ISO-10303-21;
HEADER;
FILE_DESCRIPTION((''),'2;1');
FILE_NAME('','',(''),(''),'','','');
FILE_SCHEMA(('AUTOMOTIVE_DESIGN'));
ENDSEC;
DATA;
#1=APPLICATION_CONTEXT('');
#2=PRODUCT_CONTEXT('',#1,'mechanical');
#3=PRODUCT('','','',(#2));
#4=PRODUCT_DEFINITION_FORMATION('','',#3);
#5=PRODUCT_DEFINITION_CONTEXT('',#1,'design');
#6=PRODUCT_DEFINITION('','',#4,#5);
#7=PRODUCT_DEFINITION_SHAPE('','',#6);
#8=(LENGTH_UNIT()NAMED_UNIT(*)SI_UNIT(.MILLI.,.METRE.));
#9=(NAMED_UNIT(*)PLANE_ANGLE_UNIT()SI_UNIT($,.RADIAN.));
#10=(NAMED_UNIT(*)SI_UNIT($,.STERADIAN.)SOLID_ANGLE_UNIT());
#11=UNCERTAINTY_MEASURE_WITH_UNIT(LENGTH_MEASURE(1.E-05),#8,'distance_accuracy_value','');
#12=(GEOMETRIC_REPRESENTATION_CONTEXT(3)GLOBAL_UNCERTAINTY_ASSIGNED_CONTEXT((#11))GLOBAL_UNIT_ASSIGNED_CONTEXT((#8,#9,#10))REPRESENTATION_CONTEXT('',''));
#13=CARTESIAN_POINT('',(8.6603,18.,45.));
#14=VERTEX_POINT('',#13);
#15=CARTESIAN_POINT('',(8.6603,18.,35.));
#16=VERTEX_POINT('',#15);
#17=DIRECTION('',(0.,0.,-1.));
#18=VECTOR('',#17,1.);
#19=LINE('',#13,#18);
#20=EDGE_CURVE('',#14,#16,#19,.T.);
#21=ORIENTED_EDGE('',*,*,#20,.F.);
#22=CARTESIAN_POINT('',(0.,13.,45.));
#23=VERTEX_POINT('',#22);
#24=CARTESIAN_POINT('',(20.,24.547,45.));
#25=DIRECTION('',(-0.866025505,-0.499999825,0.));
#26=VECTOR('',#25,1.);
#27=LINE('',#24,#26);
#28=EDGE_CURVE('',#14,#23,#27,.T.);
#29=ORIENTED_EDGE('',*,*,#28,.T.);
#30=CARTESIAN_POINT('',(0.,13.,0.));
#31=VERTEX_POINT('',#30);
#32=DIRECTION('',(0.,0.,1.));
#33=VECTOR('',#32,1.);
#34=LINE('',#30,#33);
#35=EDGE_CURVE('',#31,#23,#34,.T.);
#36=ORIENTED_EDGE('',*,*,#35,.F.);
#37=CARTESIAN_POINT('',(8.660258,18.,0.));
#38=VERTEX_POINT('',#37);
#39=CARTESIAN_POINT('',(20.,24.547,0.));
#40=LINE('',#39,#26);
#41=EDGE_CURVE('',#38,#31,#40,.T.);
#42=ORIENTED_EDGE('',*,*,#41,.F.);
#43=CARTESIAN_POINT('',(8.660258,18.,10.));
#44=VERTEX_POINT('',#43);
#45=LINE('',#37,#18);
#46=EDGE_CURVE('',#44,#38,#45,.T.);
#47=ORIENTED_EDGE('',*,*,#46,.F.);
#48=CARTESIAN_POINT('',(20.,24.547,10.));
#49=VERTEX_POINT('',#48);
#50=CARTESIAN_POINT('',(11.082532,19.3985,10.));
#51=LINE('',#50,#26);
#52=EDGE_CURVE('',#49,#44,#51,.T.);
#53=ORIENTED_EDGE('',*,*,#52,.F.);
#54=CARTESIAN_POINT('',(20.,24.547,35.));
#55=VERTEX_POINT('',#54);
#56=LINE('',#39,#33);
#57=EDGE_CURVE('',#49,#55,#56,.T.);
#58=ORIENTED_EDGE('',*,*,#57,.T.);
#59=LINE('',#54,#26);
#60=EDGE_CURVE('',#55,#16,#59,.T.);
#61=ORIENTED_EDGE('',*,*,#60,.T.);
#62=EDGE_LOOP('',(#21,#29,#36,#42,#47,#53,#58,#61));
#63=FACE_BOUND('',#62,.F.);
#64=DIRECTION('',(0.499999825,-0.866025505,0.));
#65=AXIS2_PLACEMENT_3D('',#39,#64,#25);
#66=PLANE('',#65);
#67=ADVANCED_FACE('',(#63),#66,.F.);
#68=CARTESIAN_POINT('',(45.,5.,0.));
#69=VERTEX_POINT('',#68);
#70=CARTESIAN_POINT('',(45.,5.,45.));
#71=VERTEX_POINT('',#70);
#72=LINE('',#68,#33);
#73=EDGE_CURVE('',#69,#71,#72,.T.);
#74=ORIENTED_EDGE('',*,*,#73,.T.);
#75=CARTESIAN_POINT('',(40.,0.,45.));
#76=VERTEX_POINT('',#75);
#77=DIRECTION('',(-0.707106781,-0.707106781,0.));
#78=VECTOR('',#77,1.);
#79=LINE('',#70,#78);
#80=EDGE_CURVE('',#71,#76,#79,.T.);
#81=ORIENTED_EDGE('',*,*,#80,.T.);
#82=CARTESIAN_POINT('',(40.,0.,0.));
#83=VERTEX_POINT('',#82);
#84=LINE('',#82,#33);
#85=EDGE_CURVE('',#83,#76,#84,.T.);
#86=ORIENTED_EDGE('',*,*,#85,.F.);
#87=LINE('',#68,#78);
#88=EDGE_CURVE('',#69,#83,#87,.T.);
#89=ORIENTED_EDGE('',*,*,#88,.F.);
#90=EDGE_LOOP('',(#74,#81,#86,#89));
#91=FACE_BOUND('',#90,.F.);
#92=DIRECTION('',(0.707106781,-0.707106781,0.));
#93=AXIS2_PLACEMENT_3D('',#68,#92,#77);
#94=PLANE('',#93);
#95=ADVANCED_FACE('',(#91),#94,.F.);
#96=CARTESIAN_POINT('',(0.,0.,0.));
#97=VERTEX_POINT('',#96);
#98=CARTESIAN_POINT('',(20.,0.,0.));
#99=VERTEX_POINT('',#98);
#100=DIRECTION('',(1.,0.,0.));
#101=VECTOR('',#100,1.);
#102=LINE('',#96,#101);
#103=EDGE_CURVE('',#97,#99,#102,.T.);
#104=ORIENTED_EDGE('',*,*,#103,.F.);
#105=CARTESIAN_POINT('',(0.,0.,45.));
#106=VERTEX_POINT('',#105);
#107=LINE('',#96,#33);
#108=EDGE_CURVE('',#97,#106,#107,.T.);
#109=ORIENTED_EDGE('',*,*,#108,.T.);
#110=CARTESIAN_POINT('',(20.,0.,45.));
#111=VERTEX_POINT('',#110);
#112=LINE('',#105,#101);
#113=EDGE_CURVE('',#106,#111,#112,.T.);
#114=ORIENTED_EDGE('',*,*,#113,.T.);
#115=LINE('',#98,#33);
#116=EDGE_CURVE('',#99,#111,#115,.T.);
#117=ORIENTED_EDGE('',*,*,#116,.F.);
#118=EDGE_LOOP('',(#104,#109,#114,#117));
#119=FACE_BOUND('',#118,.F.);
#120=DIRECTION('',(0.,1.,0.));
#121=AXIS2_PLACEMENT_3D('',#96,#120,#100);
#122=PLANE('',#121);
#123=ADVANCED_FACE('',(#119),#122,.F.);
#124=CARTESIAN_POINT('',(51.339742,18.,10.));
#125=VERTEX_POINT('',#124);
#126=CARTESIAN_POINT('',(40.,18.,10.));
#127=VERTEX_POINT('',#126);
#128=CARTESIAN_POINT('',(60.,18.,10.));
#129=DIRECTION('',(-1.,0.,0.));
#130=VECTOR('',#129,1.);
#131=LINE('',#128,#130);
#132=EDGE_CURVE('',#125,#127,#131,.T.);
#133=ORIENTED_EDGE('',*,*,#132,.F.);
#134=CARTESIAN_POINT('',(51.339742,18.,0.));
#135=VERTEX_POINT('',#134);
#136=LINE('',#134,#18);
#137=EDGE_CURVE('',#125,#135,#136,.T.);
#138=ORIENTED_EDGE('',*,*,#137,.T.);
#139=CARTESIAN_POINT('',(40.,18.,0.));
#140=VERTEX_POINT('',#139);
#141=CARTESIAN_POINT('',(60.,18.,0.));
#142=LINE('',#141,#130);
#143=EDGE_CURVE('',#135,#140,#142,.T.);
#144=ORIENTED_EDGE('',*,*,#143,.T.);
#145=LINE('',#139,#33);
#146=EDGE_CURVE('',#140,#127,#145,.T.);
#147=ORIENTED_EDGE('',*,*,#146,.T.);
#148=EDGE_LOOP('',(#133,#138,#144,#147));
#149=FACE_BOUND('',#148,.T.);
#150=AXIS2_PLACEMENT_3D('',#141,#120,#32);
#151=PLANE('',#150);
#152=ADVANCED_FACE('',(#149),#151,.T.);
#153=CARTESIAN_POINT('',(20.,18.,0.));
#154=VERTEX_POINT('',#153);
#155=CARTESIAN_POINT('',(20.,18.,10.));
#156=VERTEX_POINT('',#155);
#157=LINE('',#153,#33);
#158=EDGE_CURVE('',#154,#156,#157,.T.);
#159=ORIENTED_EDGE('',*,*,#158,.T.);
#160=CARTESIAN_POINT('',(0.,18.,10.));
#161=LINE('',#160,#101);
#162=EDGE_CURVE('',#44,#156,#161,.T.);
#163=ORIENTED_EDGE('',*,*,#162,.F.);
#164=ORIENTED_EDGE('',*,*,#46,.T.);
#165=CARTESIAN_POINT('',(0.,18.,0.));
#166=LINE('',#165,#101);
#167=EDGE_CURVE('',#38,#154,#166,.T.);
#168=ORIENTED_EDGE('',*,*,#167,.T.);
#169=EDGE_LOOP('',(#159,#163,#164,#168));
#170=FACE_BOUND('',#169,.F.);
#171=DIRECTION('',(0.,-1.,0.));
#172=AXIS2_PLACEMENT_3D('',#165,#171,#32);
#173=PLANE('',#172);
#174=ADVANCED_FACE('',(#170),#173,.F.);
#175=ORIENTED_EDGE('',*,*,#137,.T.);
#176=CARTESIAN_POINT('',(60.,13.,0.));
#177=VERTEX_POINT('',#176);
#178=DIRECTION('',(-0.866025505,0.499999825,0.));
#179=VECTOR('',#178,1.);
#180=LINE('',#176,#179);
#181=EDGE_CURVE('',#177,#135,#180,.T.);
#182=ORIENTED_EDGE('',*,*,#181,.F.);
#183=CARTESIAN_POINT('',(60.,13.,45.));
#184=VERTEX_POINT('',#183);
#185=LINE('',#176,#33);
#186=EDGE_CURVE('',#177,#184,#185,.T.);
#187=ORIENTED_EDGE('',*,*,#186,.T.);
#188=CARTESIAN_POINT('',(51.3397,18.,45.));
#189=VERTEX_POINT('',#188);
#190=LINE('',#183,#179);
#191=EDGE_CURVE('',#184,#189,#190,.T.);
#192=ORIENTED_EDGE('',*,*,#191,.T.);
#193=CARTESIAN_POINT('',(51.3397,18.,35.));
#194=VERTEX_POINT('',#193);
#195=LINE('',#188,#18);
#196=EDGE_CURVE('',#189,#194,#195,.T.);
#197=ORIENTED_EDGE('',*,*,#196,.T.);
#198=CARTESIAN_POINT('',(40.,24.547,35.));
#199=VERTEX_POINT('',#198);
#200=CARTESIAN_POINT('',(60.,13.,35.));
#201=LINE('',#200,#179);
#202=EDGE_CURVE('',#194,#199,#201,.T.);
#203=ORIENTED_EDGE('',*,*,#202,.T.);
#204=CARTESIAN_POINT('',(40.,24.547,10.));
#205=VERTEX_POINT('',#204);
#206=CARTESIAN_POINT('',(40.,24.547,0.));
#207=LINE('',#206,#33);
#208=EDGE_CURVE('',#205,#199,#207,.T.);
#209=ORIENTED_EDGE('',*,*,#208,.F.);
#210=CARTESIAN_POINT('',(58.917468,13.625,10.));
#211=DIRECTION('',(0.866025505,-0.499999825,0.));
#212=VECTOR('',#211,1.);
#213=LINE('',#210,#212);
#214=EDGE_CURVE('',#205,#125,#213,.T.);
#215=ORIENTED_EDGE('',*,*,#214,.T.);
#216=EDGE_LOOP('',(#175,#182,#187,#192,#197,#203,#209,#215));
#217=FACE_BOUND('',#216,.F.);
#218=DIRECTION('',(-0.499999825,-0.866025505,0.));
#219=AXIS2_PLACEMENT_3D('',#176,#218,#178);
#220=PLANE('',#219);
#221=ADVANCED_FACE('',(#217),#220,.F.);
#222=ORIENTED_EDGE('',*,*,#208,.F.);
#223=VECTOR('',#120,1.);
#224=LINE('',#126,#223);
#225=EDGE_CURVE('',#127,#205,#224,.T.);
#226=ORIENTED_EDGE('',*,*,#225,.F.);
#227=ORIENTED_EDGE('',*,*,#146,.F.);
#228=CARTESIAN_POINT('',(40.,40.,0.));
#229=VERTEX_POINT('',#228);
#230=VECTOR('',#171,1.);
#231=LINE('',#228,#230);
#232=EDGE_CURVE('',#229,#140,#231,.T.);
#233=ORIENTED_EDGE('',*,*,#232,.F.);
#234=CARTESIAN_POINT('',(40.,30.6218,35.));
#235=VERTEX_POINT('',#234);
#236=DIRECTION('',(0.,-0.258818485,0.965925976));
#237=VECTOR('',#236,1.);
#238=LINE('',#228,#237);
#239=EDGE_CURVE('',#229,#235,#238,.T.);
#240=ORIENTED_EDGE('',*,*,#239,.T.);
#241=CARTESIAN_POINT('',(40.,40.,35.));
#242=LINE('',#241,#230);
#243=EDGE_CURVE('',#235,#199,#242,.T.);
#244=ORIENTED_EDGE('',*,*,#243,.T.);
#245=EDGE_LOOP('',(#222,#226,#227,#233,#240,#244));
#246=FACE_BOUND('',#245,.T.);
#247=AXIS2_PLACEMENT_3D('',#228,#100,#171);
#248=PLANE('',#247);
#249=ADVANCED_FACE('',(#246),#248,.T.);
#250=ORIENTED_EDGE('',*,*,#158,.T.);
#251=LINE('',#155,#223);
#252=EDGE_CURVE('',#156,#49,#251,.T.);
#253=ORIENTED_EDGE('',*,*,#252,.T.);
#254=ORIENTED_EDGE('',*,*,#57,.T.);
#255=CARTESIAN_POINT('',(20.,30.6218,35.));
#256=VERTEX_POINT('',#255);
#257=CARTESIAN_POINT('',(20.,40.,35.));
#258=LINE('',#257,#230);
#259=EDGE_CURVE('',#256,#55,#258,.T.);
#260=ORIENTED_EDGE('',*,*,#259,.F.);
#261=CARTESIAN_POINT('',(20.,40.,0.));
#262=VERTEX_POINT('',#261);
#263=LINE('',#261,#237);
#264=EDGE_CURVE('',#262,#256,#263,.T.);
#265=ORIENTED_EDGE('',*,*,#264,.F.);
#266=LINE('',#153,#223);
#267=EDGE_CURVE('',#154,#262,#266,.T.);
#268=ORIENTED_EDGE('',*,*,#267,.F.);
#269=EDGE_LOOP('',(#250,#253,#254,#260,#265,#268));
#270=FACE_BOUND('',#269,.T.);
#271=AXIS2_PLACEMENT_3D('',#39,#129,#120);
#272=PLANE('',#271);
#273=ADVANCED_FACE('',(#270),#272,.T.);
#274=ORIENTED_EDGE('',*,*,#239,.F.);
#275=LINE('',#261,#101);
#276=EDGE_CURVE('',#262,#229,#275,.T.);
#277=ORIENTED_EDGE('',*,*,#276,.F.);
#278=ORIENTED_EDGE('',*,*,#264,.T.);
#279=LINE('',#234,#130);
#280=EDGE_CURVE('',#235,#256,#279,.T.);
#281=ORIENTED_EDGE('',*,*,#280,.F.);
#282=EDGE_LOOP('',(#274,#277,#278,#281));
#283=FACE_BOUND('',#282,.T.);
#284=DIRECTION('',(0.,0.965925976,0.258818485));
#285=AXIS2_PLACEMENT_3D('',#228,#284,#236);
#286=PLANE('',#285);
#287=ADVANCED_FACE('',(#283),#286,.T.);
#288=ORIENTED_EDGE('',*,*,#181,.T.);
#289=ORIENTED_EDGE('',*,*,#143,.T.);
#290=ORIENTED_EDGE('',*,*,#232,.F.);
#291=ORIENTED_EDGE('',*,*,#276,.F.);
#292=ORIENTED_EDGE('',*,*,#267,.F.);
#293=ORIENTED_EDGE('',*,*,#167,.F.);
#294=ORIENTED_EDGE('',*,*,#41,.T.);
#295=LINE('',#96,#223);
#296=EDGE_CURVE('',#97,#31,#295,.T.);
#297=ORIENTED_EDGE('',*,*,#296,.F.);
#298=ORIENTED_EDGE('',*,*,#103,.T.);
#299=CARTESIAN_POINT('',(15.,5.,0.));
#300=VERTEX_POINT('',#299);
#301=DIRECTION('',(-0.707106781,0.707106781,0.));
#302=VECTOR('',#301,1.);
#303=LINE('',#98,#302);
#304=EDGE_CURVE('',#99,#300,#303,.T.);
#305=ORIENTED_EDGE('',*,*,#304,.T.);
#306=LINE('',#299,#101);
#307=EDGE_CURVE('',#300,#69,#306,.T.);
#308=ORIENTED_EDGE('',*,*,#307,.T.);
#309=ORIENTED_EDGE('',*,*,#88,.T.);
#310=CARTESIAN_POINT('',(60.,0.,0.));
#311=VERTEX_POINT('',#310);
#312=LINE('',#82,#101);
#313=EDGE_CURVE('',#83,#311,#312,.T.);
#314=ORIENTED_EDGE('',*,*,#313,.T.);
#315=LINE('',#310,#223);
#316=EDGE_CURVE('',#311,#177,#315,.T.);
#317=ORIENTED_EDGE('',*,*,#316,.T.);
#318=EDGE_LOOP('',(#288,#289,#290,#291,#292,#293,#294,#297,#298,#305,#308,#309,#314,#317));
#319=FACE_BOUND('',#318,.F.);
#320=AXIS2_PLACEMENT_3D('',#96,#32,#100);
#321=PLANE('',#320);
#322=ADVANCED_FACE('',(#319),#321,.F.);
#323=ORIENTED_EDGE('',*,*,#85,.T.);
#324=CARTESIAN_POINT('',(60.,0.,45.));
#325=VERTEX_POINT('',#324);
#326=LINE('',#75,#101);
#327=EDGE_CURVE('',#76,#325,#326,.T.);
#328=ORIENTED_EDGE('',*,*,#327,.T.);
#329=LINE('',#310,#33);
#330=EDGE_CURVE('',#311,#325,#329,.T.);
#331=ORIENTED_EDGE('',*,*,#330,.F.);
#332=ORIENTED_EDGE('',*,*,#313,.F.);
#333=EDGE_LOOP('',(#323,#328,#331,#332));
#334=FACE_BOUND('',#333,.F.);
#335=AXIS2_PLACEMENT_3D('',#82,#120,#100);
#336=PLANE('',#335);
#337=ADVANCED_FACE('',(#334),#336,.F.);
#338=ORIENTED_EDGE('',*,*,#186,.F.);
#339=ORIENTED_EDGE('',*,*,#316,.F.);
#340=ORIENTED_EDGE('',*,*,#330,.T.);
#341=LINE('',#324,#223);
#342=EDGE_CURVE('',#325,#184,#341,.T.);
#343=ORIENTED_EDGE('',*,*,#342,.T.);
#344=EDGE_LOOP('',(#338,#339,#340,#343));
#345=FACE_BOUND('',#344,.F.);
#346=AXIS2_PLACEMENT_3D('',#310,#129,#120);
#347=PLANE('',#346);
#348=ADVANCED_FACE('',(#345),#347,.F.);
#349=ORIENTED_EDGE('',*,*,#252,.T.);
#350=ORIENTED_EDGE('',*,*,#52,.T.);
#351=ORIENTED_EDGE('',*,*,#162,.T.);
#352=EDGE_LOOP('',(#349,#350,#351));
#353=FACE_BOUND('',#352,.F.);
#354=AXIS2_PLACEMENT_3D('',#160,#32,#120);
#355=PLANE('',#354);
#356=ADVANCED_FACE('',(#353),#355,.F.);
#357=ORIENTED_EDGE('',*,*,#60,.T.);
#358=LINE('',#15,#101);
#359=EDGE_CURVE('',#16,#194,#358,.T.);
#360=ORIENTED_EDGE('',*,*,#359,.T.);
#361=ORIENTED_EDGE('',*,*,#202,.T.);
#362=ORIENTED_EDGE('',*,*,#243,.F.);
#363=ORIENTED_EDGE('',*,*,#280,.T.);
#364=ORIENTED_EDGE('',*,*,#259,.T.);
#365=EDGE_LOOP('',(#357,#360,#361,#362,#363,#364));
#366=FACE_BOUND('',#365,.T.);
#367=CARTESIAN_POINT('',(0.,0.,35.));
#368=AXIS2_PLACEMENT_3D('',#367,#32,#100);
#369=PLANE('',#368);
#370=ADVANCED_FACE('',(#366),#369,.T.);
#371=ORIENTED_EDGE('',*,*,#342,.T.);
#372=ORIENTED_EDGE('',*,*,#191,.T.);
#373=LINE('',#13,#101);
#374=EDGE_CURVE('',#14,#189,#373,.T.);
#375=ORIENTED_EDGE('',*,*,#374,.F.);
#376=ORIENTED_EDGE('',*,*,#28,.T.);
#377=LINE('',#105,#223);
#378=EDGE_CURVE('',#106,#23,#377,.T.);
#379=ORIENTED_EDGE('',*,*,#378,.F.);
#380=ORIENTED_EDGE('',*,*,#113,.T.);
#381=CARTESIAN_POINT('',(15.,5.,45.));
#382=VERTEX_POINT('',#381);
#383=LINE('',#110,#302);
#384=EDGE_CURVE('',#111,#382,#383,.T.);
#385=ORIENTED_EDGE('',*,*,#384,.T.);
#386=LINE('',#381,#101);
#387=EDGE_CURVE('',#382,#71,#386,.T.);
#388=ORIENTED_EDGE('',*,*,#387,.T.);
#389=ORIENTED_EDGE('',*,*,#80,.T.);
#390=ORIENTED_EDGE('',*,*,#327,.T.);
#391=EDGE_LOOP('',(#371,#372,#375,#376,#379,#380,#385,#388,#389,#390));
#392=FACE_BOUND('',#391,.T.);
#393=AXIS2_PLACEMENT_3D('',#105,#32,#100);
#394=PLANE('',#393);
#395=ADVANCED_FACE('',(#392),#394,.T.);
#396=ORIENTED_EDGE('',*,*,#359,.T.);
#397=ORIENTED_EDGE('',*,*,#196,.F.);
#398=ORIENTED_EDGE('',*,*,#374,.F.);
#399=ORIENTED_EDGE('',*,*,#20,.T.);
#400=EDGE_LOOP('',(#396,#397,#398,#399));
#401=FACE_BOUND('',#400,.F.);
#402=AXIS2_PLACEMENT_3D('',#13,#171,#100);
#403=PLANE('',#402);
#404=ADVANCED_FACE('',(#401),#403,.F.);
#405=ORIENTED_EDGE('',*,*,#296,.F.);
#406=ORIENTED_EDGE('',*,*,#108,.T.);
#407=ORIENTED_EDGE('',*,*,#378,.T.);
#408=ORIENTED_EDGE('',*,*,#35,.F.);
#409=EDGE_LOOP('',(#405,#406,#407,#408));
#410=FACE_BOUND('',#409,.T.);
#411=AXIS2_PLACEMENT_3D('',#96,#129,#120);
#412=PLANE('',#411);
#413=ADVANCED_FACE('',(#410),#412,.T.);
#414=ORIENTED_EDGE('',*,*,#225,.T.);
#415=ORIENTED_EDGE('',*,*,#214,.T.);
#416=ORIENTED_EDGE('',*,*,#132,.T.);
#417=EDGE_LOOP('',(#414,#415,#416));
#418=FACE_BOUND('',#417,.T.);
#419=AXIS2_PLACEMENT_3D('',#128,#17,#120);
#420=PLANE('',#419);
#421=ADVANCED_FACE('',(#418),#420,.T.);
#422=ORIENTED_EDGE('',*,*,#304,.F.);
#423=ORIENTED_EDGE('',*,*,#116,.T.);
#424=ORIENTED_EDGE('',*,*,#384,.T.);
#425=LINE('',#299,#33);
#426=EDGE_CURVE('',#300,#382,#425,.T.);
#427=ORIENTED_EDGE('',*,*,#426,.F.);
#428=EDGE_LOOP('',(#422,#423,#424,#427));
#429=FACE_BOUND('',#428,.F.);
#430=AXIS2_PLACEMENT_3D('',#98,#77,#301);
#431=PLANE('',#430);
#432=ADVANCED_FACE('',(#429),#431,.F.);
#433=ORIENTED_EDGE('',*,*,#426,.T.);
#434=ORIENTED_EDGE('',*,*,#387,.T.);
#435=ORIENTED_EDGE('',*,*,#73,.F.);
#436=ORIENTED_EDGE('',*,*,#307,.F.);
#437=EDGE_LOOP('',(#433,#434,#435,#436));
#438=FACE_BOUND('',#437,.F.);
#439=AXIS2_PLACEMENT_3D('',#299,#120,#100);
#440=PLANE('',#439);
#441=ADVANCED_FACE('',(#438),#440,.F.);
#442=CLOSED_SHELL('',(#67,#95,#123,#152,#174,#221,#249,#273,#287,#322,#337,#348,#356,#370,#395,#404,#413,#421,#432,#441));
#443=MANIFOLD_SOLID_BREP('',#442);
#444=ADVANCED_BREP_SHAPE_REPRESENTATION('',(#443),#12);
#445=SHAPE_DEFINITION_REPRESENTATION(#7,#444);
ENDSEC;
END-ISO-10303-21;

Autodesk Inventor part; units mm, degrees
ref_plane "YZ Plane" through (0, 0, 0) normal (1, 0, 0) x (0, 1, 0)
ref_plane "XZ Plane" through (0, 0, 0) normal (0, 1, 0) x (-1, 0, 0)
ref_plane "XY Plane" through (0, 0, 0) normal (0, 0, 1) x (1, 0, 0)
sketch "Sketch1" plane through (0, 0, 0) normal (0, 0, 1) x (1, 0, 0)
  line L0 (0, 0) -> (20, 0)
  line L1 (20, 0) -> (15, 5)
  line L2 (15, 5) -> (45, 5)
  line L3 (45, 5) -> (40, 0)
  line L4 (40, 0) -> (60, 0)
  line L5 (60, 0) -> (60, 13)
  line L6 (0, 0) -> (0, 13)
  line L7 (20, 24.547) -> (20, 40)
  line L8 (20, 40) -> (40, 40)
  line L9 (40, 40) -> (40, 24.547)
  line L10 (60, 13) -> (40, 24.547)
  line L11 (20, 24.547) -> (0, 13)
extrude "Extrusion1" add sketch "Sketch1" along normal blind 45
sketch "Sketch2" plane through (0, 0, 45) normal (0, 0, 1) x (1, 0, 0)
  line L0 (20, 24.547) -> (0, 13) projected
  line L1 (8.6603, 18) -> (51.3397, 18)
  line L2 (60, 13) -> (40, 24.547) projected
  line L3 (8.6603, 18) -> (20, 24.547)
  line L4 (20, 40) -> (20, 24.547) projected
  line L5 (20, 24.547) -> (20, 40)
  line L6 (20, 40) -> (40, 40)
  line L7 (40, 40) -> (40, 24.547)
  line L8 (40, 24.547) -> (40, 40) projected
  line L9 (40, 24.547) -> (51.3397, 18)
  point P0 (0, 0)
extrude "Extrusion2" cut sketch "Sketch2" against normal blind 10
sketch "Sketch3" plane through (40, 24.547, 0) normal (1, 0, 0) x (0, 0, -1)
  line L0 (0, 0) -> (0, 15.453) projected
  line L1 (0, 15.453) -> (37.2699, 15.453) construction
  line L2 (-35, 0) -> (-35, 15.453) projected
  line L3 (-35, 15.453) -> (0, 15.453)
  line L4 (0, 15.453) -> (-35, 6.0748)
  line L5 (-35, 6.0748) -> (-35, 15.453)
  point P0 (0, -24.547)
extrude "Extrusion3" cut sketch "Sketch3" against normal blind 20
sketch "Sketch4" plane through (60, 0, 0) normal (1, 0, 0) x (0, 0, -1)
  line L0 (0, 18) -> (-10, 18)
  line L1 (-10, 18) -> (-10, 24.547)
  line L2 (0, 24.547) -> (-35, 24.547) projected
  line L3 (0, 24.547) -> (0, 40) projected
  line L4 (-10, 24.547) -> (0, 24.547)
  line L5 (0, 24.547) -> (0, 18)
  point P0 (0, 0)
extrude "Extrusion4" cut sketch "Sketch4" against normal blind 20
sketch "Sketch5" plane through (0, 0, 0) normal (-1, 0, 0) x (0, 0, 1)
  line L0 (10, 18) -> (10, 24.547) projected
  line L1 (10, 18) -> (10, 24.547)
  line L2 (0, 24.547) -> (35, 24.547) projected
  line L3 (10, 24.547) -> (0, 24.547)
  line L4 (0, 24.547) -> (0, 18)
  line L5 (0, 24.547) -> (0, 13) projected
  line L6 (0, 18) -> (10, 18) projected
  line L7 (10, 18) -> (0, 18)
  point P0 (0, 0)
extrude "Extrusion5" cut sketch "Sketch5" against normal blind 20
properties part number "P3-15"
